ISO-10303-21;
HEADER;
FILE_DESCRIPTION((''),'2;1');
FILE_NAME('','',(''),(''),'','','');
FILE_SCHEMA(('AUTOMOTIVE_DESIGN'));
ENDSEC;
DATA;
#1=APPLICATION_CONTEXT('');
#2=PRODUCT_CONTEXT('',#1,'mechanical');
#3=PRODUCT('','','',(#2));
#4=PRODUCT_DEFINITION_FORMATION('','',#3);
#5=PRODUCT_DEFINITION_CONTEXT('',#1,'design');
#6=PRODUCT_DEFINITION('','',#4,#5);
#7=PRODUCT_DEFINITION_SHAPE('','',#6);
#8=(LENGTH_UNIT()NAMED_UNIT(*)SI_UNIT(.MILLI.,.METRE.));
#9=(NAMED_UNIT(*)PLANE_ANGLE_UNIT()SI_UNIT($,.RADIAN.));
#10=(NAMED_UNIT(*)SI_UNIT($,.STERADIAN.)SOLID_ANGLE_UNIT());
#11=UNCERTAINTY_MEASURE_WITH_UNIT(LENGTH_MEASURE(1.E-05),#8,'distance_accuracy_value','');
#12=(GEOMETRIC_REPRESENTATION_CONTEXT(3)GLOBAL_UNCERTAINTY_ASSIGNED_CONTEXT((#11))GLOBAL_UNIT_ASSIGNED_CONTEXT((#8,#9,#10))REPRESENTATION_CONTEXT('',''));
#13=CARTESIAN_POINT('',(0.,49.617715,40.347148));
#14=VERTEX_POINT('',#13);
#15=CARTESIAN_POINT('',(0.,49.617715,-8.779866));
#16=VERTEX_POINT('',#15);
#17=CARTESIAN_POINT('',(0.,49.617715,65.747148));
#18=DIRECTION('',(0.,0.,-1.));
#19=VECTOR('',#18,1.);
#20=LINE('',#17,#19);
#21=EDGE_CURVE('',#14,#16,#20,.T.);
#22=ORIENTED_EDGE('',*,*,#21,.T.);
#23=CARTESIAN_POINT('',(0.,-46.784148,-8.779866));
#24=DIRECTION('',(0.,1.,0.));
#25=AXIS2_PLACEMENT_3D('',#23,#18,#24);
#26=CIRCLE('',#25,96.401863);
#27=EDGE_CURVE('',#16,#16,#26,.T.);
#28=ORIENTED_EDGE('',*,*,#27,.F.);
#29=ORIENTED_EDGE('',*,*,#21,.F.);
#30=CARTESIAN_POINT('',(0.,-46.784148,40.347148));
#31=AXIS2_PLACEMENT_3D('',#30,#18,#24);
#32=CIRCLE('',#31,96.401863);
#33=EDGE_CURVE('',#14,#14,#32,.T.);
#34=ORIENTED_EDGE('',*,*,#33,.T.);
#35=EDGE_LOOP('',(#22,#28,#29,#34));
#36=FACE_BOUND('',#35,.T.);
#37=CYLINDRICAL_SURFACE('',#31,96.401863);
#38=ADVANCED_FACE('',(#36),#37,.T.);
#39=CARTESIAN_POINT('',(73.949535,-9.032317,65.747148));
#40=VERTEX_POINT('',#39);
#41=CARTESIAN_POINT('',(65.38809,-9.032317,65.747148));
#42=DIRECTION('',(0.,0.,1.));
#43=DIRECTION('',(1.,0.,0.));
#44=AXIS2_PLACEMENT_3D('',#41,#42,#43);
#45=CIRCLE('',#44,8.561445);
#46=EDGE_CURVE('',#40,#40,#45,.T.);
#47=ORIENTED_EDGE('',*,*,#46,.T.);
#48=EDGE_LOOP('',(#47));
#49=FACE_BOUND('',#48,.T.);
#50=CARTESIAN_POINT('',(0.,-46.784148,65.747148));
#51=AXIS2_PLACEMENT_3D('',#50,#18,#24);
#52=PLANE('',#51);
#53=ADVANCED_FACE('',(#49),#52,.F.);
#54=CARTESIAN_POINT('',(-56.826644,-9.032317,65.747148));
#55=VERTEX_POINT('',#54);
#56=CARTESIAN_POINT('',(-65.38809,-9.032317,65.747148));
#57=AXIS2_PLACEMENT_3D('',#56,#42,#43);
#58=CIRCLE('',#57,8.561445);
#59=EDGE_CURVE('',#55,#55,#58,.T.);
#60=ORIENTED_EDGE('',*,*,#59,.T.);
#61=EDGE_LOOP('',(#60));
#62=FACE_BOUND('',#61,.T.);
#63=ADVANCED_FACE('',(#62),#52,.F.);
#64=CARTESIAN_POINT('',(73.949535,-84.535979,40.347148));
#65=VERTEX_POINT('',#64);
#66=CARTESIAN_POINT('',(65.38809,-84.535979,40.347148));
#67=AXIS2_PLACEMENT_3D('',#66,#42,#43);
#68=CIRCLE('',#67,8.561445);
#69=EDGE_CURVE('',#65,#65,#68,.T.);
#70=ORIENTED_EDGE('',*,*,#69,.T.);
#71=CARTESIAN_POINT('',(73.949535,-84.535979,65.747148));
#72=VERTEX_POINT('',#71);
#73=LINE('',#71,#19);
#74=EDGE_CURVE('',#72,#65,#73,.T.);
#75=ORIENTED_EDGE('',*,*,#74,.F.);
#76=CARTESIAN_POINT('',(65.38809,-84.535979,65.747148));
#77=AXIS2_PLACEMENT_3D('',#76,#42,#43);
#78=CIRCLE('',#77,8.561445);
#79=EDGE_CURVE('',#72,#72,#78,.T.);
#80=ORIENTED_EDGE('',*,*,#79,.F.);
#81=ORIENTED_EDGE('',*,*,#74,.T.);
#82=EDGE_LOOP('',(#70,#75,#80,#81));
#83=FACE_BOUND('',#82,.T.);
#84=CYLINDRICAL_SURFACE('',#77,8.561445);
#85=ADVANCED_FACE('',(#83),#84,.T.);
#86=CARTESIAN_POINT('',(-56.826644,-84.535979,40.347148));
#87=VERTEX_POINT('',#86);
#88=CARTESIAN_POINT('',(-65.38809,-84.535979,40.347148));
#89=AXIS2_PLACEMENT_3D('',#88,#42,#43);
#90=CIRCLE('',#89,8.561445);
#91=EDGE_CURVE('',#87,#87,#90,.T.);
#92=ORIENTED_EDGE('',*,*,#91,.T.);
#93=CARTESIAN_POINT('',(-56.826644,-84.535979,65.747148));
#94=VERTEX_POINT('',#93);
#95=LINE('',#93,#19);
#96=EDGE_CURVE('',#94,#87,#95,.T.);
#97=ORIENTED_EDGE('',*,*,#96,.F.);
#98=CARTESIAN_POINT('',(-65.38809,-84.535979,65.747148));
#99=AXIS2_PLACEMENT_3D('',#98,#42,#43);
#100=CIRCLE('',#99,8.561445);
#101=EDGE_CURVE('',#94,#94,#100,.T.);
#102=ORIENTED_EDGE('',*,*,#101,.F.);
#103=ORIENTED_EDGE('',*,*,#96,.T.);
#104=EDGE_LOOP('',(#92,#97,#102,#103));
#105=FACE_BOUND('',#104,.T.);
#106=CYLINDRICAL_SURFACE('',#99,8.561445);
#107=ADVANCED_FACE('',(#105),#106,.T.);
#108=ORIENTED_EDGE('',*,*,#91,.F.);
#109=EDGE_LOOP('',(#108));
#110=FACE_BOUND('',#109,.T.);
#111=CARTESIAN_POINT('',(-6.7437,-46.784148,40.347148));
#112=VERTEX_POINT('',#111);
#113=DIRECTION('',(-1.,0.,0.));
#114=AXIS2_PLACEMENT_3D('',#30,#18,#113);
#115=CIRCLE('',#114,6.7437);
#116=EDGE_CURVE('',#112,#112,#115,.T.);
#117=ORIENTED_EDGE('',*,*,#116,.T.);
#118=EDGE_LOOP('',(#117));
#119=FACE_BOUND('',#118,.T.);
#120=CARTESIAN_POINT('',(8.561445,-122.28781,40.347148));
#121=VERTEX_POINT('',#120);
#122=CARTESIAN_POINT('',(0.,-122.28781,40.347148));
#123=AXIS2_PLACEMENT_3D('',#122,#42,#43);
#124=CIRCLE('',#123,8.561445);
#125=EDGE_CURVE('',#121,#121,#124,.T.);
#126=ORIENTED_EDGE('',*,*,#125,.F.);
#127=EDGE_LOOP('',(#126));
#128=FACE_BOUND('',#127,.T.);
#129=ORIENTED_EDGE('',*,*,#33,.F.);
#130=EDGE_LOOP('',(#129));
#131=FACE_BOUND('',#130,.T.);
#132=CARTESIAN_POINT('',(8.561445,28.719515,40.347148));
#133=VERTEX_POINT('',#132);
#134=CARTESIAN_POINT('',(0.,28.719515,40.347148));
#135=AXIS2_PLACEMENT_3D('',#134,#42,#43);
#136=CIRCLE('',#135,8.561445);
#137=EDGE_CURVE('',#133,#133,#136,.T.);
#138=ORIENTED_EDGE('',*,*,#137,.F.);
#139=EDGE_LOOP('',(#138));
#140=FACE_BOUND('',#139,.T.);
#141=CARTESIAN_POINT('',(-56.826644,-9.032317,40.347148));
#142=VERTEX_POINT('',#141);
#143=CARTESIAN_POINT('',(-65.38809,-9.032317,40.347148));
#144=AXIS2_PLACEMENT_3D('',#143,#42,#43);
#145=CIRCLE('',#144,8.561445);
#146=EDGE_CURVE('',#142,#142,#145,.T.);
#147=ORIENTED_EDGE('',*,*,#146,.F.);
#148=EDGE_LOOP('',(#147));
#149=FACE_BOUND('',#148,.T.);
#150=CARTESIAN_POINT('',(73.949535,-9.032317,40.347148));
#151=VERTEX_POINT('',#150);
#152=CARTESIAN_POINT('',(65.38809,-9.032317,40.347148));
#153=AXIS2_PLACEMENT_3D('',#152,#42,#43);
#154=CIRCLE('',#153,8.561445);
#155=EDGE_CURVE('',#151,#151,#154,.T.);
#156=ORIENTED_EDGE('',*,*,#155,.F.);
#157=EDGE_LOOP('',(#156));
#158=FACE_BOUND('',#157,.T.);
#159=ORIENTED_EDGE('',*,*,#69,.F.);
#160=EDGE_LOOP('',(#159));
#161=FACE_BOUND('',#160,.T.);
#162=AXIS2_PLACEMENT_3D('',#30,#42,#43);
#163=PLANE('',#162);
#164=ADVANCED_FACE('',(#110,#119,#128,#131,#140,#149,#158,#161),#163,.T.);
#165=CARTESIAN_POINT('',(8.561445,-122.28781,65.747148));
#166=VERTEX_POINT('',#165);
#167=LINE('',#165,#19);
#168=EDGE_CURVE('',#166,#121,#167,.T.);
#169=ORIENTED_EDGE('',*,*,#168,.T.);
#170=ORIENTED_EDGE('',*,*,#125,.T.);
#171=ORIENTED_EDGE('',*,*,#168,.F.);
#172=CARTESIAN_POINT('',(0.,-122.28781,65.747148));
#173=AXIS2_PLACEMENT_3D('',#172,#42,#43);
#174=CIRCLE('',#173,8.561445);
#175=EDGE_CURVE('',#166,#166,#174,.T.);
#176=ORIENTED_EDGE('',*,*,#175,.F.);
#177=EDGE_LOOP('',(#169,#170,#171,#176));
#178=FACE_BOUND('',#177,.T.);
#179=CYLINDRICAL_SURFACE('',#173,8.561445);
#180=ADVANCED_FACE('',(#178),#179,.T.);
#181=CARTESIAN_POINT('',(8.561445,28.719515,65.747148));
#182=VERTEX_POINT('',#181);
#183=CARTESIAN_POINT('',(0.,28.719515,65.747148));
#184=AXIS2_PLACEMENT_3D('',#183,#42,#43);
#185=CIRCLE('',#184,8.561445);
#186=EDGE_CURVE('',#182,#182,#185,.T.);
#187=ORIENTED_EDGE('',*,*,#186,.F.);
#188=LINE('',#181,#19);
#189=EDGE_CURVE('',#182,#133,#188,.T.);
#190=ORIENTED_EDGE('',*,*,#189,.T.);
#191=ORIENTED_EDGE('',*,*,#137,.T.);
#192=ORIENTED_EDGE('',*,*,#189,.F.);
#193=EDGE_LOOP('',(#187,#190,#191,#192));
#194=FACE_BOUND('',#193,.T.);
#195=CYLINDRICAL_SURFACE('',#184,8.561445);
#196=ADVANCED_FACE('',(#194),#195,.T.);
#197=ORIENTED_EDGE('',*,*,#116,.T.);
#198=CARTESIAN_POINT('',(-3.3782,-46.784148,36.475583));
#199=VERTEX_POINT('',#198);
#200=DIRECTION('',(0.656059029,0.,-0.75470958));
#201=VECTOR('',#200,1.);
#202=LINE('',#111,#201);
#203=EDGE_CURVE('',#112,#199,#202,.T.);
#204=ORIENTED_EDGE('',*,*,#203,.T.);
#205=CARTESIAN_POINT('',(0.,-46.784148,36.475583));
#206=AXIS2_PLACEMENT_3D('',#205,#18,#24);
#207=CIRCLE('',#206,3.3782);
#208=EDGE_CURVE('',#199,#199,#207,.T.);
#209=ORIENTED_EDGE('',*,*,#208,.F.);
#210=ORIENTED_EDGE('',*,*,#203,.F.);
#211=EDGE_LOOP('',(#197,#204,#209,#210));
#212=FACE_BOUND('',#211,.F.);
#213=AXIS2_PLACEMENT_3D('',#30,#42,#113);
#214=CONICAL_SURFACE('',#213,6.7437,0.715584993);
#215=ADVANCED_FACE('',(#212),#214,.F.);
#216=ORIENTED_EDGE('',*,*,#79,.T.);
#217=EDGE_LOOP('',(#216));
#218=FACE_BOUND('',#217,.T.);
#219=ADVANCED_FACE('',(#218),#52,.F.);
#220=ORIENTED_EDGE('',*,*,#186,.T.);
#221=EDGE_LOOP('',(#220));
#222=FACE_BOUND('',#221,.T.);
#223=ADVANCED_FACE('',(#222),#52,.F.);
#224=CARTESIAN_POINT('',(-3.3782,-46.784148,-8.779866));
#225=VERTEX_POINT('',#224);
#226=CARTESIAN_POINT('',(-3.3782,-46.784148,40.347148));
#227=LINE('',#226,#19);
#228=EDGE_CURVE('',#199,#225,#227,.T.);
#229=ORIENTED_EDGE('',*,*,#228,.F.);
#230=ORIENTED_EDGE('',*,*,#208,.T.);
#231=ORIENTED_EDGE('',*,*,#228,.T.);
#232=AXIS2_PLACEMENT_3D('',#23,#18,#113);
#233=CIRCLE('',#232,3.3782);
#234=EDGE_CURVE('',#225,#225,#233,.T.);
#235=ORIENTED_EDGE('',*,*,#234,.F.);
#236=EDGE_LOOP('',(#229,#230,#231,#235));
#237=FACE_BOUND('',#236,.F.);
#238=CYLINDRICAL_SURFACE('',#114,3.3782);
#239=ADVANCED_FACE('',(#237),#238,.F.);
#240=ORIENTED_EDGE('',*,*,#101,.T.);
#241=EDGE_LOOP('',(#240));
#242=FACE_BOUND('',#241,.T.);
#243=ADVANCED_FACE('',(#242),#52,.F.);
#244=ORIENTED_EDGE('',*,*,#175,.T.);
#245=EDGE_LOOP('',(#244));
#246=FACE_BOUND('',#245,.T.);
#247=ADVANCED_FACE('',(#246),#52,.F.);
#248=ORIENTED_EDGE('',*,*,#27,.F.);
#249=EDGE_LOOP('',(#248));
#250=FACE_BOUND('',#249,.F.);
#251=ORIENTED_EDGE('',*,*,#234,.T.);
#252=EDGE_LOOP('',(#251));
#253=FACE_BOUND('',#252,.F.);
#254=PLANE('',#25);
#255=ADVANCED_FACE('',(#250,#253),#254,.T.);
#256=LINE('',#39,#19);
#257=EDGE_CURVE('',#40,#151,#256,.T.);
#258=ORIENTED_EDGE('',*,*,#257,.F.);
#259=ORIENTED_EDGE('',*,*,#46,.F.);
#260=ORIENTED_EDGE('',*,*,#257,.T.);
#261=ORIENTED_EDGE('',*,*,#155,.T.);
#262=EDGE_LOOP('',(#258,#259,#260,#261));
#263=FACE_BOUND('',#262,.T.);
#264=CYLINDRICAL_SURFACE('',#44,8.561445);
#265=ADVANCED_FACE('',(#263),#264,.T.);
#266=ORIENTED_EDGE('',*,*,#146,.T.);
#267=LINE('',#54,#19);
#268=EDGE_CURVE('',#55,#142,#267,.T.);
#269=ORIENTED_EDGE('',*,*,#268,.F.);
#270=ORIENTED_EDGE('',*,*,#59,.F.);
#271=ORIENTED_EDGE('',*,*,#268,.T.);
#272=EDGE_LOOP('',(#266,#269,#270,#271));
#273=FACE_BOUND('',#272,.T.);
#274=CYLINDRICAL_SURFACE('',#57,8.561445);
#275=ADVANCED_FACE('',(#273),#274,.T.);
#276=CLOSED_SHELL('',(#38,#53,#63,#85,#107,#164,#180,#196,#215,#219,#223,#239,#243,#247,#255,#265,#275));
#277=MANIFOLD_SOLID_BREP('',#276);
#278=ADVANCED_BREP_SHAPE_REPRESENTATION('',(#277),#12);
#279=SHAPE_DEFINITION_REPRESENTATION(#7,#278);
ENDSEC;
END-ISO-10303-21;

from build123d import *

# Parameters (mm, degrees)
F0_W           = 96.4018628001
F0_H           = 49.1270134225
F2_DEPTH       = 25.4
F3_R           = 96.4018628001
F3_R_2         = 8.561445451
F4_DEPTH       = 25.4
F6_D           = 6.7564
F6_CSINK_D     = 13.4874
F6_CSINK_ANGLE = 82


with BuildPart() as f1:
    # F0 (on Right) → F1 (revolve)
    with BuildSketch(Plane.YZ):
        with Locations((1.4167837799, 15.7836410217)):
            Rectangle(F0_W, F0_H)
    revolve(axis=Axis((0, -46.7841476202, 15.7836410217), (0, 0, -1)))

    # F2 (add): a face of the model
    f2_faces = [f1.faces().sort_by_distance(p)[0] for p in [
        (0, -46.7841476202, 40.347147733),
    ]]
    extrude(f2_faces, amount=F2_DEPTH)

    # F3 (on face) → F4 (cut)
    with BuildSketch(Plane.XY.offset(65.747147733)):
        with Locations((0, -46.7841476202)):
            Circle(F3_R)
        with Locations((-65.3880895687, -84.5359787345)):
            Circle(F3_R_2, mode=Mode.SUBTRACT)
        with Locations((0, -122.2878098488)):
            Circle(F3_R_2, mode=Mode.SUBTRACT)
        with Locations((65.3880895687, -84.5359787345)):
            Circle(F3_R_2, mode=Mode.SUBTRACT)
        with Locations((-65.3880895687, -9.0323165059)):
            Circle(F3_R_2, mode=Mode.SUBTRACT)
        with Locations((65.3880895687, -9.0323165059)):
            Circle(F3_R_2, mode=Mode.SUBTRACT)
        with Locations((0, 28.7195146084)):
            Circle(F3_R_2, mode=Mode.SUBTRACT)
    extrude(amount=-F4_DEPTH, mode=Mode.SUBTRACT)

    # F6 (through all)
    with Locations(Plane.XY.offset(40.347147733)):
        with Locations((0, -46.7841476202)):
            CounterSinkHole(F6_D / 2, F6_CSINK_D / 2, counter_sink_angle=F6_CSINK_ANGLE)


solid = f1.part
